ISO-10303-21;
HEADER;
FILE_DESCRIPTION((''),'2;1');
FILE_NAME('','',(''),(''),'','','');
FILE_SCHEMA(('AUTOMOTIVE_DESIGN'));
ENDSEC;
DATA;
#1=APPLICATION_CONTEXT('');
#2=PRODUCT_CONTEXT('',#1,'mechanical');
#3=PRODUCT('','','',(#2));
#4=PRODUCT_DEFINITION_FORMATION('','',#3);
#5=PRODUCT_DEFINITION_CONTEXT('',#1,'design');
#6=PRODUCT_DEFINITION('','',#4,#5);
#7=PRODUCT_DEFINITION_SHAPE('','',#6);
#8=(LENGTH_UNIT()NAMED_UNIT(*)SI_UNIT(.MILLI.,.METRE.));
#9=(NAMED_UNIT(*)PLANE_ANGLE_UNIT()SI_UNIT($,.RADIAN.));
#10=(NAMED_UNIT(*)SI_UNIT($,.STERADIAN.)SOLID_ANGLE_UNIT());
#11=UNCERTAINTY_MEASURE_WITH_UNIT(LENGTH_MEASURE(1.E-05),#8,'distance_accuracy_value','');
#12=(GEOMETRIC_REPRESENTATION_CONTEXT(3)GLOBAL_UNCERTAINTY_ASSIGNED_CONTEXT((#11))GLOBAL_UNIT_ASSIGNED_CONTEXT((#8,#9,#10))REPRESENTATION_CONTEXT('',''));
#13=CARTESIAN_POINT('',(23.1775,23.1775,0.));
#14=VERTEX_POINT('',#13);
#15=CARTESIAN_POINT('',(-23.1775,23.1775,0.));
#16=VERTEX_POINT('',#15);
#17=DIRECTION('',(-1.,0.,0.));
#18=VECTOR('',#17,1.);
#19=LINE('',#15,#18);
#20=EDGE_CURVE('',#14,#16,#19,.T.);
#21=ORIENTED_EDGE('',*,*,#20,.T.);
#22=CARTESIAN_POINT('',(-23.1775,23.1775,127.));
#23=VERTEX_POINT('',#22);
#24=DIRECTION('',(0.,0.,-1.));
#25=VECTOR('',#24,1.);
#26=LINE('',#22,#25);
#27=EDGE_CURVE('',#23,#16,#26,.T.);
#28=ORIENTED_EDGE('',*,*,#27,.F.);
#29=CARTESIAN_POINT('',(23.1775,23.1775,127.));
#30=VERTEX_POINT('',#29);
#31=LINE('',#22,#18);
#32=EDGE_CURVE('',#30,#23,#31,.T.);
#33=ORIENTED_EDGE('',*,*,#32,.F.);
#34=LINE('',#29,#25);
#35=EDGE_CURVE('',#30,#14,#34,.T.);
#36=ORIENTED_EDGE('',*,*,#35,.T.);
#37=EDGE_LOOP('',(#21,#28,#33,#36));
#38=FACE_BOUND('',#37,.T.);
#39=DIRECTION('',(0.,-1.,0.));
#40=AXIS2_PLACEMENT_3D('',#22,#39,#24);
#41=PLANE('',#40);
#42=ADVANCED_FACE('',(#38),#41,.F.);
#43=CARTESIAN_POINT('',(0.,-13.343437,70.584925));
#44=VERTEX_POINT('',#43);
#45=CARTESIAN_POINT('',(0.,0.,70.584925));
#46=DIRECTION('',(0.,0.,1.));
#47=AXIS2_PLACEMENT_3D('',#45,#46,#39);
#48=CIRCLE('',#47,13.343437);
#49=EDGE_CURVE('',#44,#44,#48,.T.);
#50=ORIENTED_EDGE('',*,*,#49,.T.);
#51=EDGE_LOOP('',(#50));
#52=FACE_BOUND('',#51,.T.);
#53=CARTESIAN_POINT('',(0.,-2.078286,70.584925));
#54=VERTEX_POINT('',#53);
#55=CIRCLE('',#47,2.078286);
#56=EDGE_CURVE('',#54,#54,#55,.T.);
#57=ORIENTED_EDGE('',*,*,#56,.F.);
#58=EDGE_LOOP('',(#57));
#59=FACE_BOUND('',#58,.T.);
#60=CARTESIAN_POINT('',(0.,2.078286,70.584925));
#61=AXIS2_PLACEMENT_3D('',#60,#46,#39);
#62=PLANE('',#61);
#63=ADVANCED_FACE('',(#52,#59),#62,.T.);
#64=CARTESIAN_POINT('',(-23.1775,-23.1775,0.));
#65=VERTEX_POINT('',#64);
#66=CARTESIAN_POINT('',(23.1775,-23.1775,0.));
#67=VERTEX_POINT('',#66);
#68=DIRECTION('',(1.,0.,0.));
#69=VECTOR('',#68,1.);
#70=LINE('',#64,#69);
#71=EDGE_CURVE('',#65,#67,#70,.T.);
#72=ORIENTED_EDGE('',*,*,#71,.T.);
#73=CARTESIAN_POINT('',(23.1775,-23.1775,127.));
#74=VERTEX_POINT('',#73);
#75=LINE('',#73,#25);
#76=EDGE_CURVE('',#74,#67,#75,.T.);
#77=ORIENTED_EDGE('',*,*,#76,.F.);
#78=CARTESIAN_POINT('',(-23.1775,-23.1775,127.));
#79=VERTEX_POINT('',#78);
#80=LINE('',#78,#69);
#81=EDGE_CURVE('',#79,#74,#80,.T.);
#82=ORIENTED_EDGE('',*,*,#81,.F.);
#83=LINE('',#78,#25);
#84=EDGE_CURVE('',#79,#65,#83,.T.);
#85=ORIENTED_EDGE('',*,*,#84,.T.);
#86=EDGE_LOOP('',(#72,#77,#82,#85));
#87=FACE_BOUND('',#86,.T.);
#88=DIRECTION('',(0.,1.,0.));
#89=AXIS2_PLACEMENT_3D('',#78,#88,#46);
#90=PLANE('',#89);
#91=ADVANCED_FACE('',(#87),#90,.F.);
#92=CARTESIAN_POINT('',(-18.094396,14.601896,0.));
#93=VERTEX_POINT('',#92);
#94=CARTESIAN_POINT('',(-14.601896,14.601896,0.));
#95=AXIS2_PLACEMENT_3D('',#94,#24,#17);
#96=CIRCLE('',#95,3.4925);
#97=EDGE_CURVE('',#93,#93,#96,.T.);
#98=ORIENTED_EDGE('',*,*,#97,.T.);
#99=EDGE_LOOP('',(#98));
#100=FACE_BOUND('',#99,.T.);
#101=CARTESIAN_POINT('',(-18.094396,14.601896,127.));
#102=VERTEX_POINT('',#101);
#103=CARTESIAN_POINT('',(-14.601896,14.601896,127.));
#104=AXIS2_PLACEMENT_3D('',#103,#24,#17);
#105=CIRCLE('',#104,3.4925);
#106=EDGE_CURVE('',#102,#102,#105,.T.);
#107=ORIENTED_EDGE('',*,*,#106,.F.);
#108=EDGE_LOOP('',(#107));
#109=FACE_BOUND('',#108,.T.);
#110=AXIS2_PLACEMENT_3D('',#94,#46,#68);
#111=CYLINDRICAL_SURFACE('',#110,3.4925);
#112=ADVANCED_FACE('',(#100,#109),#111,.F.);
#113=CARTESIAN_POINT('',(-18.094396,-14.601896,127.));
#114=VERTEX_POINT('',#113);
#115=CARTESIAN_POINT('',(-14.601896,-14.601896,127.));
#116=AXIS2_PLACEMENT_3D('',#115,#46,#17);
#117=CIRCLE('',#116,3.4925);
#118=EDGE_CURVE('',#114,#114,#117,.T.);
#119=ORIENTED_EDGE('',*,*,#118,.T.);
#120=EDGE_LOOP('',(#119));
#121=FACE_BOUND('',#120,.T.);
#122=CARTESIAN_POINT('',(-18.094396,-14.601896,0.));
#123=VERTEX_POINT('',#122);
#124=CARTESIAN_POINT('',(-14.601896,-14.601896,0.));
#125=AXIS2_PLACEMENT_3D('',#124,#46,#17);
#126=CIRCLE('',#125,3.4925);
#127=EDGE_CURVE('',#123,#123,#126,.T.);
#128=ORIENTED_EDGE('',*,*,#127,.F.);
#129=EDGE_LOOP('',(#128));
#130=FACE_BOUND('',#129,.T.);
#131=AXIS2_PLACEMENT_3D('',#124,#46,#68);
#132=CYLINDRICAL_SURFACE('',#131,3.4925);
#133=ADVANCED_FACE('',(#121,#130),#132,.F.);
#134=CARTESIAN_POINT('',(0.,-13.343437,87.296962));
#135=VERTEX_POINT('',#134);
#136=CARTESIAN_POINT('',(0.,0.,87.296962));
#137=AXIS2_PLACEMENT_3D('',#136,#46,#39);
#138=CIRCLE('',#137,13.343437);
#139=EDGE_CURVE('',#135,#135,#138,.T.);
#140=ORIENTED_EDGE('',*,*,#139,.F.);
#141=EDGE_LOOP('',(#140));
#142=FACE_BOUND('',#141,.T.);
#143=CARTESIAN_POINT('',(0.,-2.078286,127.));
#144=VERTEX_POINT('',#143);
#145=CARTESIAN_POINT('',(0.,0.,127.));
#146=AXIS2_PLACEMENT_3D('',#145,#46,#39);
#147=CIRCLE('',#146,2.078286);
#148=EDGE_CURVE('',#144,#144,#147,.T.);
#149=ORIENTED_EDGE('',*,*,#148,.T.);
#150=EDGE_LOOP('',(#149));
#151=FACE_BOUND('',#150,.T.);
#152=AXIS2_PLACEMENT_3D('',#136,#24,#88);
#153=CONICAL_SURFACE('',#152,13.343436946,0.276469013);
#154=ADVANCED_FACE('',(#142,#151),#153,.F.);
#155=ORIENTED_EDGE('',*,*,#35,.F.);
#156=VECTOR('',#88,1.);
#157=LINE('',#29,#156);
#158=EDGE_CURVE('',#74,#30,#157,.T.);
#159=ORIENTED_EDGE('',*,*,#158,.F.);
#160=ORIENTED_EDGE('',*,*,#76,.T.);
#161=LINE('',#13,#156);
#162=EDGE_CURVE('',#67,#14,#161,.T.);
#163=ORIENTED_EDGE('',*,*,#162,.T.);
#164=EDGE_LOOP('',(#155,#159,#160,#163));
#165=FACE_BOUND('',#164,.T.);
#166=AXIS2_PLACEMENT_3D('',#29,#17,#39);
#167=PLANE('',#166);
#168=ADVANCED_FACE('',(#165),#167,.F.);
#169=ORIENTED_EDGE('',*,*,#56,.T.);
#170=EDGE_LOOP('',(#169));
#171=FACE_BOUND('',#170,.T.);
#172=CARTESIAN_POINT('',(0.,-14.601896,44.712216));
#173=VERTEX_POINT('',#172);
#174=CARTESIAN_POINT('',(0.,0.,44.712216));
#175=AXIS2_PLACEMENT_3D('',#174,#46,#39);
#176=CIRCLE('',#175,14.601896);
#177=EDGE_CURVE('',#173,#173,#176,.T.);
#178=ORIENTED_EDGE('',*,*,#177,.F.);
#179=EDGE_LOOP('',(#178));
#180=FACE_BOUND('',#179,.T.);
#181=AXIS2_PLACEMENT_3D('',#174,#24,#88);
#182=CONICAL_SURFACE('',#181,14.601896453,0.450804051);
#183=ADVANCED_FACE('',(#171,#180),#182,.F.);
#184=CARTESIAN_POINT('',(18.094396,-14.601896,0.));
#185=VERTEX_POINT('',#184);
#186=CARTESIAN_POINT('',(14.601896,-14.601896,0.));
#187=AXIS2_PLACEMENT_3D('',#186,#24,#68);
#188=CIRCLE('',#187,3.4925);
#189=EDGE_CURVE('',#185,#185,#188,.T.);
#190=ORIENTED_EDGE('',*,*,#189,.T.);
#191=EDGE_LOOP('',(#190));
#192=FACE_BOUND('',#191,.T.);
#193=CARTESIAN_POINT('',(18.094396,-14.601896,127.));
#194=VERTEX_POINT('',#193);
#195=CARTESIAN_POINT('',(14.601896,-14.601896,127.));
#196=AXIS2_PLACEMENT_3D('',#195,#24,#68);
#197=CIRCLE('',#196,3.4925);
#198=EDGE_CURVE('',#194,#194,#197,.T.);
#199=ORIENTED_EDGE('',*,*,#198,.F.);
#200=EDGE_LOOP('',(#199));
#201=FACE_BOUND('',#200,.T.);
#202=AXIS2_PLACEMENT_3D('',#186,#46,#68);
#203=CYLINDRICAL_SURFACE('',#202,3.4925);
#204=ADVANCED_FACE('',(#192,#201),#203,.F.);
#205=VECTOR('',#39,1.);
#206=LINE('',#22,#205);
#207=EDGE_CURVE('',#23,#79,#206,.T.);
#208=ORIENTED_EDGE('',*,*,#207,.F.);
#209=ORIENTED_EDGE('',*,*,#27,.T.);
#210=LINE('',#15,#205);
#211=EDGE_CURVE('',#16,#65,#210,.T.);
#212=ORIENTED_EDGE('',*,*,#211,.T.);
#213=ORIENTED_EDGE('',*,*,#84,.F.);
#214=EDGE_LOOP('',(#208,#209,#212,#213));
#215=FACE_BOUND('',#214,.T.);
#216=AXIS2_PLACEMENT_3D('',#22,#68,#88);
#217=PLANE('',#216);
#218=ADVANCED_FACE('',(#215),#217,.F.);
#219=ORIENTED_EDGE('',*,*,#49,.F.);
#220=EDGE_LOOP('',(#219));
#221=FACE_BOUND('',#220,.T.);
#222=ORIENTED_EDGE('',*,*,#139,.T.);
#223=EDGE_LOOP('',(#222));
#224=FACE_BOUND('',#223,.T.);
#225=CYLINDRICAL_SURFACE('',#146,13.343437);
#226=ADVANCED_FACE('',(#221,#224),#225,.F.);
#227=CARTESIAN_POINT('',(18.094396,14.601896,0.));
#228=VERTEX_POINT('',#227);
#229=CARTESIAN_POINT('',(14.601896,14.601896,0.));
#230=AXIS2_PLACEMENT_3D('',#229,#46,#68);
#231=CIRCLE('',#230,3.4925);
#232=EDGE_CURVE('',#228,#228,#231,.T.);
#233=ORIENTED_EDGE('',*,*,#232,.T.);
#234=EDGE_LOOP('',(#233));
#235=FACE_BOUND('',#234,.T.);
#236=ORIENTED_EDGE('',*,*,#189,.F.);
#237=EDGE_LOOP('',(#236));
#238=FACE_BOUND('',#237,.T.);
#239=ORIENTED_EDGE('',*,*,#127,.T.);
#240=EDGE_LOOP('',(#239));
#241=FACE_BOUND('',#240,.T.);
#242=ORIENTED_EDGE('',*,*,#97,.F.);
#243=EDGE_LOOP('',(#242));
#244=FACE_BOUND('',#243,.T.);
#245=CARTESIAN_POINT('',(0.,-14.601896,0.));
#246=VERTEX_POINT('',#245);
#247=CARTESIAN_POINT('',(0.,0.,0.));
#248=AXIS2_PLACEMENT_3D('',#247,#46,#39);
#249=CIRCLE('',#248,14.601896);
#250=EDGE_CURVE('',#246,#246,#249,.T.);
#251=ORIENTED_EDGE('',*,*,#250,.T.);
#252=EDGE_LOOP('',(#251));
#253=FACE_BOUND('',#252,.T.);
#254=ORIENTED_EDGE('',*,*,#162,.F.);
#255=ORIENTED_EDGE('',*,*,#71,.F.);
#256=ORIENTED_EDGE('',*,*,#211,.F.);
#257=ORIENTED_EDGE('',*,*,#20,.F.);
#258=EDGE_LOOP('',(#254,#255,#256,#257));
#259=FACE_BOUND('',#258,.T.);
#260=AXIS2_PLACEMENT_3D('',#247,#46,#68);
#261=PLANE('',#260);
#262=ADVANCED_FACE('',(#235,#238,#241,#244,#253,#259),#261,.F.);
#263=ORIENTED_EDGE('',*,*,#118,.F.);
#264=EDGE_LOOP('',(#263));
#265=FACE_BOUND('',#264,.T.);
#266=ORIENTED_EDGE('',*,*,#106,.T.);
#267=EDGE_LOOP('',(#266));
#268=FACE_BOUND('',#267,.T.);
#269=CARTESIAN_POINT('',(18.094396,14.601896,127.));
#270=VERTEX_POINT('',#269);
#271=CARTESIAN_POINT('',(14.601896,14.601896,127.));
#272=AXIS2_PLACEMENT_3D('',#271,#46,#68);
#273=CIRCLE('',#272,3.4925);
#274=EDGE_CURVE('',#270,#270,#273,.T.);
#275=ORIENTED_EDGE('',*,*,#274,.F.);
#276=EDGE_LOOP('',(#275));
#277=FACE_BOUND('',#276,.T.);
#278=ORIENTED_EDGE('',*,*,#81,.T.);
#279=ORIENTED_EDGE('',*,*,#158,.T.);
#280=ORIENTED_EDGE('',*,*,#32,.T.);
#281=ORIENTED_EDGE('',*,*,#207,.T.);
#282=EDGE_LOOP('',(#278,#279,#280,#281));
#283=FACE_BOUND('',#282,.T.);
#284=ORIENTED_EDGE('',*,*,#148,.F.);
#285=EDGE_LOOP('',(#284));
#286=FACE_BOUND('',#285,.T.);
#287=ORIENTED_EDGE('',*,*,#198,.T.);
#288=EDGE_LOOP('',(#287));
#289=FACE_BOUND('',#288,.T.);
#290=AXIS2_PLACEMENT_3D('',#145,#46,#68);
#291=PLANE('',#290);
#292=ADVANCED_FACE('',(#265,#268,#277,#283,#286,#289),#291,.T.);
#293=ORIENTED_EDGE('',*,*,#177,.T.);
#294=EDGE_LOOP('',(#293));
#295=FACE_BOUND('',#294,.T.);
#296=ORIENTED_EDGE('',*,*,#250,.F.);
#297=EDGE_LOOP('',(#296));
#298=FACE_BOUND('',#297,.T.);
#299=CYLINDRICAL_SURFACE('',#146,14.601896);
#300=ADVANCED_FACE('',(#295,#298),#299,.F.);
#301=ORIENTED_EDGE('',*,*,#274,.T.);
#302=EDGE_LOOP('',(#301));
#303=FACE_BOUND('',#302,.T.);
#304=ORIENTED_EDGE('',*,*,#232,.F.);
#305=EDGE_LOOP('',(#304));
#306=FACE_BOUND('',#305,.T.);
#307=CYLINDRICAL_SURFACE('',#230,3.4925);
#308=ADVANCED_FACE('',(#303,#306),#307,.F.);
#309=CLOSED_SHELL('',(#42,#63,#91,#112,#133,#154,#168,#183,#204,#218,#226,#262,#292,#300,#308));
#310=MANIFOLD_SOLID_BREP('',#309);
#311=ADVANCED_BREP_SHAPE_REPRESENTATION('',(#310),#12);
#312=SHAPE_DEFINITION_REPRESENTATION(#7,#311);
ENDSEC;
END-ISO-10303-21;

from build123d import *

# Parameters (mm, degrees)
SKETCH1_W               = 46.355
SKETCH1_H               = 46.355
BOSS_EXTRUDE1_DEPTH     = 127
SKETCH2_R               = 1.397
CUT_EXTRUDE1_DEPTH      = 128
SKETCH4_R               = 3.4925
CUT_EXTRUDE3_DEPTH      = 128
MIRROR2_COPY_1_SKETCH_R = 3.4925
MIRROR2_COPY_1_DEPTH    = 128


with BuildPart() as part:
    # Sketch1 → Boss-Extrude1 (new body)
    with BuildSketch(Plane.XY):
        Rectangle(SKETCH1_W, SKETCH1_H)
    extrude(amount=BOSS_EXTRUDE1_DEPTH)

    # Sketch2 → Cut-Extrude1 (cut, through all)
    with BuildSketch(Plane.XY.offset(127)):
        Circle(SKETCH2_R)
    extrude(amount=-CUT_EXTRUDE1_DEPTH, mode=Mode.SUBTRACT)

    # Sketch4 → Cut-Extrude3 (cut, through all)
    with BuildSketch(Plane.XY.offset(127)):
        with Locations((14.601896453, 14.601896453)):
            Circle(SKETCH4_R)
    cut_extrude3 = extrude(amount=-CUT_EXTRUDE3_DEPTH, mode=Mode.SUBTRACT)

    # Mirror1: Cut-Extrude3 across plane
    add(cut_extrude3.mirror(Plane.ZX), mode=Mode.SUBTRACT)

    # Mirror2: Cut-Extrude3 across plane
    add(cut_extrude3.mirror(Plane(origin=(0, 0, 0), x_dir=(0, 0, 1), z_dir=(1, 0, 0))), mode=Mode.SUBTRACT)

    # Mirror2 copy 1 sketch → Mirror2 copy 1 (cut, through all)
    with BuildSketch(Plane(origin=(0, 0, 127), x_dir=(-1, 0, 0), z_dir=(0, 0, 1))):
        with Locations((14.601896453, 14.601896453)):
            Circle(MIRROR2_COPY_1_SKETCH_R)
    extrude(amount=-MIRROR2_COPY_1_DEPTH, mode=Mode.SUBTRACT)

    # Sketch5 → Cut-Revolve1 (revolve, cut)
    with BuildSketch(Plane(origin=(0, 0, 0), x_dir=(0, 0, -1), z_dir=(1, 0, 0))):
        Polygon((0, 14.601896453), (-44.712215564, 14.601896453), (-70.584924633, 2.078286108), (-70.584924633, 13.343436946), (-87.296961591, 13.343436946), (-127, 2.078286108), (-127, 0), (0, 0), align=None)
    revolve(axis=Axis((0, 0, 127), (0, 0, -1)), mode=Mode.SUBTRACT)


solid = part.part
